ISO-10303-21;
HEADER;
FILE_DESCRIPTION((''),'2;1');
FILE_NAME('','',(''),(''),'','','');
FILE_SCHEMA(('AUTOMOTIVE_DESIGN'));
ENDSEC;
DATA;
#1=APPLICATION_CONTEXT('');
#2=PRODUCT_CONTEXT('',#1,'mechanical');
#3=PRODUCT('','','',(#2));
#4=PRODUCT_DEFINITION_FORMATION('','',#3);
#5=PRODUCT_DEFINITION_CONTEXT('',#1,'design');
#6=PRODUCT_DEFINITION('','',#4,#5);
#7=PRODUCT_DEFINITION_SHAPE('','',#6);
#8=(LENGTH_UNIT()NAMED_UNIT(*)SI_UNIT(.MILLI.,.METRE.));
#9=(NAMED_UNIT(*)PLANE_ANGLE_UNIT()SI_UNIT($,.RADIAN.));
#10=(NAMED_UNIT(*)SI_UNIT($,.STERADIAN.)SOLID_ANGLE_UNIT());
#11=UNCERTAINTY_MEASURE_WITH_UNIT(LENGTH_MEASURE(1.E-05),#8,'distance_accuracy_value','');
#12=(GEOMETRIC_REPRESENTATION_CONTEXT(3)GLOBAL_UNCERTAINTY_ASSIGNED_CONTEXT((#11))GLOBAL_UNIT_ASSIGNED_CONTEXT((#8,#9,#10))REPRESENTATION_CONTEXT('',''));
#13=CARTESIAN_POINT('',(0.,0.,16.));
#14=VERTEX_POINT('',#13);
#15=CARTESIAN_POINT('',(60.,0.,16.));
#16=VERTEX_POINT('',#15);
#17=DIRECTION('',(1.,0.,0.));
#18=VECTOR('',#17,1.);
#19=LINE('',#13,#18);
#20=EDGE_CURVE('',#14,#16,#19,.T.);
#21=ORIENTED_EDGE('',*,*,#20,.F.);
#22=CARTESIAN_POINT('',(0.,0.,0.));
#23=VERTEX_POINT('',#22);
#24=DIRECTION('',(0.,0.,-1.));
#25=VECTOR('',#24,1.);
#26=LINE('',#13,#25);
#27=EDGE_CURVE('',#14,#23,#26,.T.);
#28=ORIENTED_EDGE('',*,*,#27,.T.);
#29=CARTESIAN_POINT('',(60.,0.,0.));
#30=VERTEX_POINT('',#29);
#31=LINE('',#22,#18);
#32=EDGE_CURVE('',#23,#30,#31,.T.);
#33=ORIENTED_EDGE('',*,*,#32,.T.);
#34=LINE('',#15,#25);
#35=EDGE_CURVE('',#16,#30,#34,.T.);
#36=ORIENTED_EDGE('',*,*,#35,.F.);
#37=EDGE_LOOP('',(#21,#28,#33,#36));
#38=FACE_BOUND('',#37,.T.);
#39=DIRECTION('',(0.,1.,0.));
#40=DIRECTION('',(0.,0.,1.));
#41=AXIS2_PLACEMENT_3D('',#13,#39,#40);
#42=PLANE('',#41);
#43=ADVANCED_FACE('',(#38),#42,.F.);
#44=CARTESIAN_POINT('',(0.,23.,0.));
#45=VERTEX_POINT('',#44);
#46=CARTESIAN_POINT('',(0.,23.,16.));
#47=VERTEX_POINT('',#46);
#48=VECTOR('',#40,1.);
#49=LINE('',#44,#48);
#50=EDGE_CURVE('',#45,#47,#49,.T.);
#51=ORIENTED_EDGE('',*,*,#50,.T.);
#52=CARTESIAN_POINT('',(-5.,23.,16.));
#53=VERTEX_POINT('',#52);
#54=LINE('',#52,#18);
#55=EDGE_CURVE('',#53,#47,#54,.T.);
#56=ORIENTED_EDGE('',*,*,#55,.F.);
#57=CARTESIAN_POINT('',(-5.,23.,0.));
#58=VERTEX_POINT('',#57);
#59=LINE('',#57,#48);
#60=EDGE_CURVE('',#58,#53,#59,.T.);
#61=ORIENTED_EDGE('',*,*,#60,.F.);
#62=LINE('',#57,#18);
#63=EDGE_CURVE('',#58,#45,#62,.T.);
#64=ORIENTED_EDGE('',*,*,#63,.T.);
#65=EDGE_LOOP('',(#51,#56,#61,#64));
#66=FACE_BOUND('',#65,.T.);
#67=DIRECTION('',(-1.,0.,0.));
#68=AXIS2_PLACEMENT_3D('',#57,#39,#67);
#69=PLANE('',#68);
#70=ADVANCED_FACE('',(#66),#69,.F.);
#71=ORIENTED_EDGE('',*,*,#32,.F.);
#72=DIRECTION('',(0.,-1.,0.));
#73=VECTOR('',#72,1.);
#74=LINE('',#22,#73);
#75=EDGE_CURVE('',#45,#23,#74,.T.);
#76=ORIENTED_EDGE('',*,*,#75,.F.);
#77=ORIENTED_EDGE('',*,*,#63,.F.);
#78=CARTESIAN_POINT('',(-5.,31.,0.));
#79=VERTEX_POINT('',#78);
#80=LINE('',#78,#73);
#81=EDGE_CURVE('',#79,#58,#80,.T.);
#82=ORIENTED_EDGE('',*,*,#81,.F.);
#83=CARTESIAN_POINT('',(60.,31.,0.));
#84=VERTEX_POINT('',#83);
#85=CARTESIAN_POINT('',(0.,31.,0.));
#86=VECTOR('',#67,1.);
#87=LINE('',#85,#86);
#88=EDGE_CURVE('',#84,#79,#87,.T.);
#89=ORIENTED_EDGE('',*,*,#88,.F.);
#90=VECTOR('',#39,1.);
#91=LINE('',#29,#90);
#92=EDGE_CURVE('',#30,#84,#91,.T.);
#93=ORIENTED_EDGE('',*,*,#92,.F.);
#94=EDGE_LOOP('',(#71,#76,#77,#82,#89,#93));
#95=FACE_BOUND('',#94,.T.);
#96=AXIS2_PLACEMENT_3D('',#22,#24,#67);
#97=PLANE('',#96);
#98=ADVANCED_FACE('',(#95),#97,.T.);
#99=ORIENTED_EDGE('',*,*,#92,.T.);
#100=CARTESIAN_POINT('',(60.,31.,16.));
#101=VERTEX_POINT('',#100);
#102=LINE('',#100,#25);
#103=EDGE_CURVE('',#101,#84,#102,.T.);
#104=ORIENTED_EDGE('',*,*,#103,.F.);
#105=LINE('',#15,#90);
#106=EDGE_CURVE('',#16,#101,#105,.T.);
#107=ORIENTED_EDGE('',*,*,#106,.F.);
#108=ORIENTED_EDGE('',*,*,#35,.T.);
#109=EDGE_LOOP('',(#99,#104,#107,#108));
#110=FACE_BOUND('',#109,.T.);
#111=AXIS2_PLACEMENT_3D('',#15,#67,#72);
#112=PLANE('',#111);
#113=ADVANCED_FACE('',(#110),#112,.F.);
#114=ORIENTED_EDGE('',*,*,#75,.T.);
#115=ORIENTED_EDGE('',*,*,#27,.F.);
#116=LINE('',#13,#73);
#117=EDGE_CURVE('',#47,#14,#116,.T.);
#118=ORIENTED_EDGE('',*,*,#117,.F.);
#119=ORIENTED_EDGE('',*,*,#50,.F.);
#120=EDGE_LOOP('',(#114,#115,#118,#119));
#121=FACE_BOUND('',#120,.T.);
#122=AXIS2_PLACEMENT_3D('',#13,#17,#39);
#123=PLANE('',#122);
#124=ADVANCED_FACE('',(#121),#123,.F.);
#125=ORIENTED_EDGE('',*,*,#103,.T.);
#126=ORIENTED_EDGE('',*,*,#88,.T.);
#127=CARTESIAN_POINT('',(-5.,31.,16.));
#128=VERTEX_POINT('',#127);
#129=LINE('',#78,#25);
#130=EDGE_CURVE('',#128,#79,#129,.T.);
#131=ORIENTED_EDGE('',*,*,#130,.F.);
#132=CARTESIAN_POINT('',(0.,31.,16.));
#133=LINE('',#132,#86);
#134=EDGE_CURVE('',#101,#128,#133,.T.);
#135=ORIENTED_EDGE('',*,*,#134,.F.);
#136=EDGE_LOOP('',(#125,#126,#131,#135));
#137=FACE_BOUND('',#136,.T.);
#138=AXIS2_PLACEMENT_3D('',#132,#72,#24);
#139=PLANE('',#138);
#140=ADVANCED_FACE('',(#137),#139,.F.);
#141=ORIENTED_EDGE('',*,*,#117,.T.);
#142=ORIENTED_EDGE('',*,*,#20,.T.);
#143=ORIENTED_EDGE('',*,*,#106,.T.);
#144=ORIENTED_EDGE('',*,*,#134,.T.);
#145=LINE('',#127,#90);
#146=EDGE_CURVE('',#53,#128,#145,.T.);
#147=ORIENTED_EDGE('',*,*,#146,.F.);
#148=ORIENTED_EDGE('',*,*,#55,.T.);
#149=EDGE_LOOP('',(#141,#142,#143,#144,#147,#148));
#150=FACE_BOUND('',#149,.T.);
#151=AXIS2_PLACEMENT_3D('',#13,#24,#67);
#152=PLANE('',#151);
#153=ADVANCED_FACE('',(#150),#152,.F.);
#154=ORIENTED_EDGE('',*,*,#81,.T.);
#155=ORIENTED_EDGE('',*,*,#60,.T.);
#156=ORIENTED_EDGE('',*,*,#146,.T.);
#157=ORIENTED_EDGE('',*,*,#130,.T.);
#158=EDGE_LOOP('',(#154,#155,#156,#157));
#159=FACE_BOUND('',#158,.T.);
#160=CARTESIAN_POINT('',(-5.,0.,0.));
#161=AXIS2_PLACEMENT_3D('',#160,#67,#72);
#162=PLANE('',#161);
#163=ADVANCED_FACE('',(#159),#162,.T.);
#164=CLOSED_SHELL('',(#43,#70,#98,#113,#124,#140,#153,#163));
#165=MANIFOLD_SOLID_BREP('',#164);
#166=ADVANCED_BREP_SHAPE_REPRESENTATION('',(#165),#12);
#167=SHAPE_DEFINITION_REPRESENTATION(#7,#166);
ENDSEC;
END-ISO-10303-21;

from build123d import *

# Parameters (mm, degrees)
SKETCH1_W           = 60
SKETCH1_H           = 31
BOSS_EXTRUDE1_DEPTH = 16
SKETCH2_W           = 16
SKETCH2_H           = 8
BOSS_EXTRUDE2_DEPTH = 5


with BuildPart() as part:
    # Sketch1 → Boss-Extrude1 (new body)
    with BuildSketch(Plane.XY):
        with Locations((30, 15.5)):
            Rectangle(SKETCH1_W, SKETCH1_H)
    extrude(amount=BOSS_EXTRUDE1_DEPTH)

    # Sketch2 → Boss-Extrude2 (add)
    with BuildSketch(Plane.ZY):
        with Locations((8, 27)):
            Rectangle(SKETCH2_W, SKETCH2_H)
    extrude(amount=BOSS_EXTRUDE2_DEPTH)


solid = part.part
